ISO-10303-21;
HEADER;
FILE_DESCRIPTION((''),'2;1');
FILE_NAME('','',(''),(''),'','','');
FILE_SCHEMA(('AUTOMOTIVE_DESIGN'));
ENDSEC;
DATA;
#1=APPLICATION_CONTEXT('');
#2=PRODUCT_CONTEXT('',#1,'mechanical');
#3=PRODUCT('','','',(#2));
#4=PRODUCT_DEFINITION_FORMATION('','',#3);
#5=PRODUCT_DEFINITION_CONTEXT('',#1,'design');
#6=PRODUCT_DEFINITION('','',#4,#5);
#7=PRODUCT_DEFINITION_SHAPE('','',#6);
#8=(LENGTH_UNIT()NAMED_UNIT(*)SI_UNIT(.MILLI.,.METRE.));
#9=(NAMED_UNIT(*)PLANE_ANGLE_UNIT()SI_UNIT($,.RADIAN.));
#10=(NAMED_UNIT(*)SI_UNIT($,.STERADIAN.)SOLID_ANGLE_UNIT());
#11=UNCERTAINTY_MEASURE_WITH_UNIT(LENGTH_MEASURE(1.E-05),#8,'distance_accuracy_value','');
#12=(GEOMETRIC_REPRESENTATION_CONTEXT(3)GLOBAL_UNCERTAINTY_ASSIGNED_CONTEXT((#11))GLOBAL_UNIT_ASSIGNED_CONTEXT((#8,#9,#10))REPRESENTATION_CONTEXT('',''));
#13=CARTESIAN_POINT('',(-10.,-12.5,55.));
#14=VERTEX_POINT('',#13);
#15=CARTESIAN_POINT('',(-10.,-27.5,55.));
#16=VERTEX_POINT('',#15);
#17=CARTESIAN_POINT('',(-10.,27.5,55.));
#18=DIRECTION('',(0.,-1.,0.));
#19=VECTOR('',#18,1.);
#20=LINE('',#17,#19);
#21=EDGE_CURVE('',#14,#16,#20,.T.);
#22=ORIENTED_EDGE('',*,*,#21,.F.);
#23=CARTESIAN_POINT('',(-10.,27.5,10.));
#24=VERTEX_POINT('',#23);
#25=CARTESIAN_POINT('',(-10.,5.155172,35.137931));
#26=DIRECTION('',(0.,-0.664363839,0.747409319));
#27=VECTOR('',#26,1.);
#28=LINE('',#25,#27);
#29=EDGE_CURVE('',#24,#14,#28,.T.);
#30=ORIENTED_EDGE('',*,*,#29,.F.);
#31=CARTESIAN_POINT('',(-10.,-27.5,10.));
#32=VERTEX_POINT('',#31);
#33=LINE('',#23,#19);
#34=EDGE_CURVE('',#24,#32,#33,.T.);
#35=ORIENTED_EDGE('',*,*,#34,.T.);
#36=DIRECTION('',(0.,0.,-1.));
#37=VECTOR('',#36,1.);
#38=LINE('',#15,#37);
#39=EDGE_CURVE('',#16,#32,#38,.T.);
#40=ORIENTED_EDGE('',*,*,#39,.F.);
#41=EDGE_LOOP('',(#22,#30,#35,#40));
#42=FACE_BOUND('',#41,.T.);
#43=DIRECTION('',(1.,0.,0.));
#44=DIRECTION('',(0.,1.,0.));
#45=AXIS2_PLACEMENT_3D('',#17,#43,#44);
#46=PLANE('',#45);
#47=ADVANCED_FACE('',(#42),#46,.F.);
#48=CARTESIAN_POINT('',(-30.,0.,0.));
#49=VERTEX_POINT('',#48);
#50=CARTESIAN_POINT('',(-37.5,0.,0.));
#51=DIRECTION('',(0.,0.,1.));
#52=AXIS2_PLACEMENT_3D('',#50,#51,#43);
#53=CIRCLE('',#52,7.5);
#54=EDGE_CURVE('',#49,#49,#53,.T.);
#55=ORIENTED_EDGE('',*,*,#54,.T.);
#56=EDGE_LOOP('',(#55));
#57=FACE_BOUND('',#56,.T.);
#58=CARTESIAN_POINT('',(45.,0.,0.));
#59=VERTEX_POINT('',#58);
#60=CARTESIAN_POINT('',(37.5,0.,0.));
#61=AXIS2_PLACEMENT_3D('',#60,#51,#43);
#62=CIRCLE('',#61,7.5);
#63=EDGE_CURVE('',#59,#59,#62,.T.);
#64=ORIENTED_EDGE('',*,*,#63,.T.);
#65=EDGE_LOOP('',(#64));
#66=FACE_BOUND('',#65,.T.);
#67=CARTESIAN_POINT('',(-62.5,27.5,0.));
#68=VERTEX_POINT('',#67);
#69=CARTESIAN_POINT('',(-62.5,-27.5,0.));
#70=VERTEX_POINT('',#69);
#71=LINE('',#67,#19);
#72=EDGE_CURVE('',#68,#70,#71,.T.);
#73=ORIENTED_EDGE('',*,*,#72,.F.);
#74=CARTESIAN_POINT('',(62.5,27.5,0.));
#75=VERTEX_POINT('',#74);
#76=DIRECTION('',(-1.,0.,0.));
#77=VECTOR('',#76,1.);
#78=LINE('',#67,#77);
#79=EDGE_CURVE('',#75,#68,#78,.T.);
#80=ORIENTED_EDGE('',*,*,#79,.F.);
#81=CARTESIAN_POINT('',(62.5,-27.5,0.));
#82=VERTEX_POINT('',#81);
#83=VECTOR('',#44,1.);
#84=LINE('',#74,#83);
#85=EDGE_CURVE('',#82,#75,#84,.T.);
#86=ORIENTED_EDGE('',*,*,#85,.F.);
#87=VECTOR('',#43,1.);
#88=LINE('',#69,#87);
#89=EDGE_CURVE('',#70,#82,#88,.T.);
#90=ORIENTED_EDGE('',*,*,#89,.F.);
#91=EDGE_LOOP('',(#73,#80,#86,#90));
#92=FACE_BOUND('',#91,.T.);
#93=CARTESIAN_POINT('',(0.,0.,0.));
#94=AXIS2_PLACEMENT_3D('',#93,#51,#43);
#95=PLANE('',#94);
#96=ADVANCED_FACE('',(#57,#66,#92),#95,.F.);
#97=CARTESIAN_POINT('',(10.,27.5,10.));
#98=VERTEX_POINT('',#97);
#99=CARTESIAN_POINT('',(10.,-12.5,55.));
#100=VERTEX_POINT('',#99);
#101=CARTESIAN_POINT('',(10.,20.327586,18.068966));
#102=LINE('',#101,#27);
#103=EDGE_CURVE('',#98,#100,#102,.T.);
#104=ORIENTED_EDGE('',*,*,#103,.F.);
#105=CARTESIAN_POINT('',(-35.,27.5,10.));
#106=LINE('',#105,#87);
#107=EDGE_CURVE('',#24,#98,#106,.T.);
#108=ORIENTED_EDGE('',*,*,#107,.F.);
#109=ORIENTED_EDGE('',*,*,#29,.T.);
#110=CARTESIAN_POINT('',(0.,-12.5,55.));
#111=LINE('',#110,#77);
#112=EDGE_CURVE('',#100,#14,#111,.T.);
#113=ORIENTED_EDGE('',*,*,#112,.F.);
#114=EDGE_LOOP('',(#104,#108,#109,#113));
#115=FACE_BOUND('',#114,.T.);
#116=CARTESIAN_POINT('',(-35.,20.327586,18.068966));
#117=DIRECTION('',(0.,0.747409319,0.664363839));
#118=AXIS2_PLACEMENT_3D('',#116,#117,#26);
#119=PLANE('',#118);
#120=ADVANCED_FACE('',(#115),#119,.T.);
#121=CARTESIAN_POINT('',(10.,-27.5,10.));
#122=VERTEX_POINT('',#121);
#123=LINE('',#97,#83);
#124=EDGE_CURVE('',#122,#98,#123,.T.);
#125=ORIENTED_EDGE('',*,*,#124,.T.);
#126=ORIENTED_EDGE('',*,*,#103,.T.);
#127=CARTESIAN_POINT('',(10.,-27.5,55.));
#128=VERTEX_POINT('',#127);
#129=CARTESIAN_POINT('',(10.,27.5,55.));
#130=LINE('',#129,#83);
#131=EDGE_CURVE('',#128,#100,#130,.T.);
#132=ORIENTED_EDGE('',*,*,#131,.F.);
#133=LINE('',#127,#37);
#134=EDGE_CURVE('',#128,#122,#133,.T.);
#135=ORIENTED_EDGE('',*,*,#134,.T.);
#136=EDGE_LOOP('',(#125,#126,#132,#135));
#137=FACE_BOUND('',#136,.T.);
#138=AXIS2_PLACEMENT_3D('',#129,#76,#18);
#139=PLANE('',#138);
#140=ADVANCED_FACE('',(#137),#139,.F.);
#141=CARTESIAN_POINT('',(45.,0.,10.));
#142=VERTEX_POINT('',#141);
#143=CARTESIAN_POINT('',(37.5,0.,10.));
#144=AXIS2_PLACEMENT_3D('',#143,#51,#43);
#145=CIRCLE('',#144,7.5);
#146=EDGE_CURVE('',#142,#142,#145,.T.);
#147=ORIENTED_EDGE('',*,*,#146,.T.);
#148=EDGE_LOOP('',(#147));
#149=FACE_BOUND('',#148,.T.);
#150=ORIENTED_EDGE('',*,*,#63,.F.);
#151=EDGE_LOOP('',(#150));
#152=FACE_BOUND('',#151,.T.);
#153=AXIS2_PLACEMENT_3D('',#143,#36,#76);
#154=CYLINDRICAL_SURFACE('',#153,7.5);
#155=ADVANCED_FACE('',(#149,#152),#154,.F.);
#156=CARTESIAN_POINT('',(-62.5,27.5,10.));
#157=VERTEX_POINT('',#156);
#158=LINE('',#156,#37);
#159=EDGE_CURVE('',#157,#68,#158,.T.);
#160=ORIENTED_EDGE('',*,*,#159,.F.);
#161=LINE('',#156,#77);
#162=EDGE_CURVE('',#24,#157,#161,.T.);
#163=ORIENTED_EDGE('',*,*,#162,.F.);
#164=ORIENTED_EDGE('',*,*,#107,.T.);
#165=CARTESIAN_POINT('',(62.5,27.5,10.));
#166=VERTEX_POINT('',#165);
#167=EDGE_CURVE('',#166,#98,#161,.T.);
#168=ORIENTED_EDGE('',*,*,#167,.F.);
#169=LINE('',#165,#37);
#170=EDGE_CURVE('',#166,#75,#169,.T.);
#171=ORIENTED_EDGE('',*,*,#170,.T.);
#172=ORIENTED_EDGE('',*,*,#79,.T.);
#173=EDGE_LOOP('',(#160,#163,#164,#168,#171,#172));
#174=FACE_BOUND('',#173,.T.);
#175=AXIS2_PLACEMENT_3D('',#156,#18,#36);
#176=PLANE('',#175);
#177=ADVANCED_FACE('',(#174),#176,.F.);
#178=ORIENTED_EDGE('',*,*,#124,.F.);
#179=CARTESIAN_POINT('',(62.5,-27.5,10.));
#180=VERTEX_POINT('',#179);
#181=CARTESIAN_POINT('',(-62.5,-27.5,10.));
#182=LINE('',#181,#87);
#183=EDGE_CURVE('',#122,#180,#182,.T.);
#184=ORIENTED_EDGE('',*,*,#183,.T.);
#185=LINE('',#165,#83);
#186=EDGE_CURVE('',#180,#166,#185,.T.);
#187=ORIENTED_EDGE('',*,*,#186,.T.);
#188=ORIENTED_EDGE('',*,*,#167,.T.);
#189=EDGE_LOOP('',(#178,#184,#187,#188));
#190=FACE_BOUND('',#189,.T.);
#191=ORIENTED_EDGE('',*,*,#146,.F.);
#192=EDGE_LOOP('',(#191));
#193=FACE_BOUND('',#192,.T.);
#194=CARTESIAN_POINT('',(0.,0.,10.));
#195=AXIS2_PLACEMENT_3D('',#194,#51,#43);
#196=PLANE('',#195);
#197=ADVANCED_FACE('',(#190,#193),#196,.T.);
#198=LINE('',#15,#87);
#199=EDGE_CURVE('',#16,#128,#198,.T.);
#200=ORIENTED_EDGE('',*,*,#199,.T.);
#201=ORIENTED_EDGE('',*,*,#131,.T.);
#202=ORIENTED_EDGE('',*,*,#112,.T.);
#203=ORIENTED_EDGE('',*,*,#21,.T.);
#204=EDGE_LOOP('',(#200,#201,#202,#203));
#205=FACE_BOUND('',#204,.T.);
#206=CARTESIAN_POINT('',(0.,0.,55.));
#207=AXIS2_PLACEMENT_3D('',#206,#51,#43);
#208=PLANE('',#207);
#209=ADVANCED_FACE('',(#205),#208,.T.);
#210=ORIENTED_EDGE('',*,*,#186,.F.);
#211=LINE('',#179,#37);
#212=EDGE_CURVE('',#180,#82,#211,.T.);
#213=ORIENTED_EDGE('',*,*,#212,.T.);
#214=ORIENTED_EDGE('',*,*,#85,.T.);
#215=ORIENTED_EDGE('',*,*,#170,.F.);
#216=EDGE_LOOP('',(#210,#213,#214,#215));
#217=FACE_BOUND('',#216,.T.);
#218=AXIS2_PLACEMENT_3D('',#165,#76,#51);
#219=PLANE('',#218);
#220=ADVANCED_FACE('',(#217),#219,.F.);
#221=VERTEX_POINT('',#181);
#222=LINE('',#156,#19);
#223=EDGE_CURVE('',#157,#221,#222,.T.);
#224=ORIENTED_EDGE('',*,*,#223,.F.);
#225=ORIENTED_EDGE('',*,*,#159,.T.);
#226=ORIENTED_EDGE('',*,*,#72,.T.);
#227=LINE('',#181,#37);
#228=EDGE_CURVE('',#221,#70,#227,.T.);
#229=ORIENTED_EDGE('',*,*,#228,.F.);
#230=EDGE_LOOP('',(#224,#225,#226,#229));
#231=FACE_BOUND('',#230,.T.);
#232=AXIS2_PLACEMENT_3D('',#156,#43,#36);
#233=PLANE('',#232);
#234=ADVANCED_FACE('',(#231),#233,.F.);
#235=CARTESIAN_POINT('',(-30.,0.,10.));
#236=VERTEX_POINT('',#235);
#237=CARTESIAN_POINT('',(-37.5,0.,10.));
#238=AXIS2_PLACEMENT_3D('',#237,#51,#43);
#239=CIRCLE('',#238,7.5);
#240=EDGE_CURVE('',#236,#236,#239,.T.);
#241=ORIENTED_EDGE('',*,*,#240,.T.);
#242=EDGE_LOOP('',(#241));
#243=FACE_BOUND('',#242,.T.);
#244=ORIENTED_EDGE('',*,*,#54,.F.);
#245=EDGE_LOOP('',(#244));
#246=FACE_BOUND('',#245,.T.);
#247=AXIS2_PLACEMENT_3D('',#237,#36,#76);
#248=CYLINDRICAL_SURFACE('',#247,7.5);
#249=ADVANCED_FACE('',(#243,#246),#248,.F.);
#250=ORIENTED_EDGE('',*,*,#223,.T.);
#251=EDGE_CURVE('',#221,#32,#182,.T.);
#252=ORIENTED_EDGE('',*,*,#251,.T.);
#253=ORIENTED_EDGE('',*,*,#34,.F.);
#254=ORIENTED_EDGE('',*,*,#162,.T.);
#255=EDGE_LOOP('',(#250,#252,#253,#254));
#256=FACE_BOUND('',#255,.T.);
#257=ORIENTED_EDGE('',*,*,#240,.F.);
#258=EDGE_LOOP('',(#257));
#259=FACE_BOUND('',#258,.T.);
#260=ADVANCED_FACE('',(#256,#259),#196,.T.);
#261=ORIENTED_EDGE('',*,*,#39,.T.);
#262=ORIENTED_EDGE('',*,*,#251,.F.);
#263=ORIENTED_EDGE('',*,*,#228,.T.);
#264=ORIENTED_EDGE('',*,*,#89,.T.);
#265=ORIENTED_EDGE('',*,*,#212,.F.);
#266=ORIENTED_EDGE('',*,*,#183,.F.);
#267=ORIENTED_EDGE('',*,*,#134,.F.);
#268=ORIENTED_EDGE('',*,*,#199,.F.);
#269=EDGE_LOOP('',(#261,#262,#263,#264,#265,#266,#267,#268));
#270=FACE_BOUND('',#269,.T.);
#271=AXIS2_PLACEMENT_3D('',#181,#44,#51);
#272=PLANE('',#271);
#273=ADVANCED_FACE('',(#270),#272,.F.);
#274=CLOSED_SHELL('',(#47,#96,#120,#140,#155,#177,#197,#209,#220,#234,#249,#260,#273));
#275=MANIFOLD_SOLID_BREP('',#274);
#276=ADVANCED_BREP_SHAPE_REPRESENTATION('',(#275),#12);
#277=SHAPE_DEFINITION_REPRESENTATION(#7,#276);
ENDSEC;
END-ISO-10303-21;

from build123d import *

# Parameters (mm, degrees)
SZKIC1_W                    = 125
SZKIC1_H                    = 55
SZKIC1_R                    = 7.5
DODANIE_WYCI_GNI_CIE1_DEPTH = 10
SZKIC2_W                    = 20
SZKIC2_H                    = 55
DODANIE_WYCI_GNI_CIE2_DEPTH = 45
WYTNIJ_WYCI_GNI_CIE1_DEPTH  = 45


with BuildPart() as part:
    # Szkic1 → Dodanie-wyciągnięcie1 (new body)
    with BuildSketch(Plane.XY):
        Rectangle(SZKIC1_W, SZKIC1_H)
        with Locations((-37.5, 0)):
            Circle(SZKIC1_R, mode=Mode.SUBTRACT)
        with Locations((37.5, 0)):
            Circle(SZKIC1_R, mode=Mode.SUBTRACT)
    extrude(amount=DODANIE_WYCI_GNI_CIE1_DEPTH)

    # Szkic2 → Dodanie-wyciągnięcie2 (add)
    with BuildSketch(Plane.XY.offset(10)):
        Rectangle(SZKIC2_W, SZKIC2_H)
    extrude(amount=DODANIE_WYCI_GNI_CIE2_DEPTH)

    # Szkic3 → Wytnij-wyciągnięcie1 (cut)
    with BuildSketch(Plane(origin=(10, 0, 0), x_dir=(0, 0, -1), z_dir=(1, 0, 0))):
        Polygon((-55, -12.5), (-10, 27.5), (-55, 27.5), align=None)
    extrude(amount=-WYTNIJ_WYCI_GNI_CIE1_DEPTH, mode=Mode.SUBTRACT)


solid = part.part
